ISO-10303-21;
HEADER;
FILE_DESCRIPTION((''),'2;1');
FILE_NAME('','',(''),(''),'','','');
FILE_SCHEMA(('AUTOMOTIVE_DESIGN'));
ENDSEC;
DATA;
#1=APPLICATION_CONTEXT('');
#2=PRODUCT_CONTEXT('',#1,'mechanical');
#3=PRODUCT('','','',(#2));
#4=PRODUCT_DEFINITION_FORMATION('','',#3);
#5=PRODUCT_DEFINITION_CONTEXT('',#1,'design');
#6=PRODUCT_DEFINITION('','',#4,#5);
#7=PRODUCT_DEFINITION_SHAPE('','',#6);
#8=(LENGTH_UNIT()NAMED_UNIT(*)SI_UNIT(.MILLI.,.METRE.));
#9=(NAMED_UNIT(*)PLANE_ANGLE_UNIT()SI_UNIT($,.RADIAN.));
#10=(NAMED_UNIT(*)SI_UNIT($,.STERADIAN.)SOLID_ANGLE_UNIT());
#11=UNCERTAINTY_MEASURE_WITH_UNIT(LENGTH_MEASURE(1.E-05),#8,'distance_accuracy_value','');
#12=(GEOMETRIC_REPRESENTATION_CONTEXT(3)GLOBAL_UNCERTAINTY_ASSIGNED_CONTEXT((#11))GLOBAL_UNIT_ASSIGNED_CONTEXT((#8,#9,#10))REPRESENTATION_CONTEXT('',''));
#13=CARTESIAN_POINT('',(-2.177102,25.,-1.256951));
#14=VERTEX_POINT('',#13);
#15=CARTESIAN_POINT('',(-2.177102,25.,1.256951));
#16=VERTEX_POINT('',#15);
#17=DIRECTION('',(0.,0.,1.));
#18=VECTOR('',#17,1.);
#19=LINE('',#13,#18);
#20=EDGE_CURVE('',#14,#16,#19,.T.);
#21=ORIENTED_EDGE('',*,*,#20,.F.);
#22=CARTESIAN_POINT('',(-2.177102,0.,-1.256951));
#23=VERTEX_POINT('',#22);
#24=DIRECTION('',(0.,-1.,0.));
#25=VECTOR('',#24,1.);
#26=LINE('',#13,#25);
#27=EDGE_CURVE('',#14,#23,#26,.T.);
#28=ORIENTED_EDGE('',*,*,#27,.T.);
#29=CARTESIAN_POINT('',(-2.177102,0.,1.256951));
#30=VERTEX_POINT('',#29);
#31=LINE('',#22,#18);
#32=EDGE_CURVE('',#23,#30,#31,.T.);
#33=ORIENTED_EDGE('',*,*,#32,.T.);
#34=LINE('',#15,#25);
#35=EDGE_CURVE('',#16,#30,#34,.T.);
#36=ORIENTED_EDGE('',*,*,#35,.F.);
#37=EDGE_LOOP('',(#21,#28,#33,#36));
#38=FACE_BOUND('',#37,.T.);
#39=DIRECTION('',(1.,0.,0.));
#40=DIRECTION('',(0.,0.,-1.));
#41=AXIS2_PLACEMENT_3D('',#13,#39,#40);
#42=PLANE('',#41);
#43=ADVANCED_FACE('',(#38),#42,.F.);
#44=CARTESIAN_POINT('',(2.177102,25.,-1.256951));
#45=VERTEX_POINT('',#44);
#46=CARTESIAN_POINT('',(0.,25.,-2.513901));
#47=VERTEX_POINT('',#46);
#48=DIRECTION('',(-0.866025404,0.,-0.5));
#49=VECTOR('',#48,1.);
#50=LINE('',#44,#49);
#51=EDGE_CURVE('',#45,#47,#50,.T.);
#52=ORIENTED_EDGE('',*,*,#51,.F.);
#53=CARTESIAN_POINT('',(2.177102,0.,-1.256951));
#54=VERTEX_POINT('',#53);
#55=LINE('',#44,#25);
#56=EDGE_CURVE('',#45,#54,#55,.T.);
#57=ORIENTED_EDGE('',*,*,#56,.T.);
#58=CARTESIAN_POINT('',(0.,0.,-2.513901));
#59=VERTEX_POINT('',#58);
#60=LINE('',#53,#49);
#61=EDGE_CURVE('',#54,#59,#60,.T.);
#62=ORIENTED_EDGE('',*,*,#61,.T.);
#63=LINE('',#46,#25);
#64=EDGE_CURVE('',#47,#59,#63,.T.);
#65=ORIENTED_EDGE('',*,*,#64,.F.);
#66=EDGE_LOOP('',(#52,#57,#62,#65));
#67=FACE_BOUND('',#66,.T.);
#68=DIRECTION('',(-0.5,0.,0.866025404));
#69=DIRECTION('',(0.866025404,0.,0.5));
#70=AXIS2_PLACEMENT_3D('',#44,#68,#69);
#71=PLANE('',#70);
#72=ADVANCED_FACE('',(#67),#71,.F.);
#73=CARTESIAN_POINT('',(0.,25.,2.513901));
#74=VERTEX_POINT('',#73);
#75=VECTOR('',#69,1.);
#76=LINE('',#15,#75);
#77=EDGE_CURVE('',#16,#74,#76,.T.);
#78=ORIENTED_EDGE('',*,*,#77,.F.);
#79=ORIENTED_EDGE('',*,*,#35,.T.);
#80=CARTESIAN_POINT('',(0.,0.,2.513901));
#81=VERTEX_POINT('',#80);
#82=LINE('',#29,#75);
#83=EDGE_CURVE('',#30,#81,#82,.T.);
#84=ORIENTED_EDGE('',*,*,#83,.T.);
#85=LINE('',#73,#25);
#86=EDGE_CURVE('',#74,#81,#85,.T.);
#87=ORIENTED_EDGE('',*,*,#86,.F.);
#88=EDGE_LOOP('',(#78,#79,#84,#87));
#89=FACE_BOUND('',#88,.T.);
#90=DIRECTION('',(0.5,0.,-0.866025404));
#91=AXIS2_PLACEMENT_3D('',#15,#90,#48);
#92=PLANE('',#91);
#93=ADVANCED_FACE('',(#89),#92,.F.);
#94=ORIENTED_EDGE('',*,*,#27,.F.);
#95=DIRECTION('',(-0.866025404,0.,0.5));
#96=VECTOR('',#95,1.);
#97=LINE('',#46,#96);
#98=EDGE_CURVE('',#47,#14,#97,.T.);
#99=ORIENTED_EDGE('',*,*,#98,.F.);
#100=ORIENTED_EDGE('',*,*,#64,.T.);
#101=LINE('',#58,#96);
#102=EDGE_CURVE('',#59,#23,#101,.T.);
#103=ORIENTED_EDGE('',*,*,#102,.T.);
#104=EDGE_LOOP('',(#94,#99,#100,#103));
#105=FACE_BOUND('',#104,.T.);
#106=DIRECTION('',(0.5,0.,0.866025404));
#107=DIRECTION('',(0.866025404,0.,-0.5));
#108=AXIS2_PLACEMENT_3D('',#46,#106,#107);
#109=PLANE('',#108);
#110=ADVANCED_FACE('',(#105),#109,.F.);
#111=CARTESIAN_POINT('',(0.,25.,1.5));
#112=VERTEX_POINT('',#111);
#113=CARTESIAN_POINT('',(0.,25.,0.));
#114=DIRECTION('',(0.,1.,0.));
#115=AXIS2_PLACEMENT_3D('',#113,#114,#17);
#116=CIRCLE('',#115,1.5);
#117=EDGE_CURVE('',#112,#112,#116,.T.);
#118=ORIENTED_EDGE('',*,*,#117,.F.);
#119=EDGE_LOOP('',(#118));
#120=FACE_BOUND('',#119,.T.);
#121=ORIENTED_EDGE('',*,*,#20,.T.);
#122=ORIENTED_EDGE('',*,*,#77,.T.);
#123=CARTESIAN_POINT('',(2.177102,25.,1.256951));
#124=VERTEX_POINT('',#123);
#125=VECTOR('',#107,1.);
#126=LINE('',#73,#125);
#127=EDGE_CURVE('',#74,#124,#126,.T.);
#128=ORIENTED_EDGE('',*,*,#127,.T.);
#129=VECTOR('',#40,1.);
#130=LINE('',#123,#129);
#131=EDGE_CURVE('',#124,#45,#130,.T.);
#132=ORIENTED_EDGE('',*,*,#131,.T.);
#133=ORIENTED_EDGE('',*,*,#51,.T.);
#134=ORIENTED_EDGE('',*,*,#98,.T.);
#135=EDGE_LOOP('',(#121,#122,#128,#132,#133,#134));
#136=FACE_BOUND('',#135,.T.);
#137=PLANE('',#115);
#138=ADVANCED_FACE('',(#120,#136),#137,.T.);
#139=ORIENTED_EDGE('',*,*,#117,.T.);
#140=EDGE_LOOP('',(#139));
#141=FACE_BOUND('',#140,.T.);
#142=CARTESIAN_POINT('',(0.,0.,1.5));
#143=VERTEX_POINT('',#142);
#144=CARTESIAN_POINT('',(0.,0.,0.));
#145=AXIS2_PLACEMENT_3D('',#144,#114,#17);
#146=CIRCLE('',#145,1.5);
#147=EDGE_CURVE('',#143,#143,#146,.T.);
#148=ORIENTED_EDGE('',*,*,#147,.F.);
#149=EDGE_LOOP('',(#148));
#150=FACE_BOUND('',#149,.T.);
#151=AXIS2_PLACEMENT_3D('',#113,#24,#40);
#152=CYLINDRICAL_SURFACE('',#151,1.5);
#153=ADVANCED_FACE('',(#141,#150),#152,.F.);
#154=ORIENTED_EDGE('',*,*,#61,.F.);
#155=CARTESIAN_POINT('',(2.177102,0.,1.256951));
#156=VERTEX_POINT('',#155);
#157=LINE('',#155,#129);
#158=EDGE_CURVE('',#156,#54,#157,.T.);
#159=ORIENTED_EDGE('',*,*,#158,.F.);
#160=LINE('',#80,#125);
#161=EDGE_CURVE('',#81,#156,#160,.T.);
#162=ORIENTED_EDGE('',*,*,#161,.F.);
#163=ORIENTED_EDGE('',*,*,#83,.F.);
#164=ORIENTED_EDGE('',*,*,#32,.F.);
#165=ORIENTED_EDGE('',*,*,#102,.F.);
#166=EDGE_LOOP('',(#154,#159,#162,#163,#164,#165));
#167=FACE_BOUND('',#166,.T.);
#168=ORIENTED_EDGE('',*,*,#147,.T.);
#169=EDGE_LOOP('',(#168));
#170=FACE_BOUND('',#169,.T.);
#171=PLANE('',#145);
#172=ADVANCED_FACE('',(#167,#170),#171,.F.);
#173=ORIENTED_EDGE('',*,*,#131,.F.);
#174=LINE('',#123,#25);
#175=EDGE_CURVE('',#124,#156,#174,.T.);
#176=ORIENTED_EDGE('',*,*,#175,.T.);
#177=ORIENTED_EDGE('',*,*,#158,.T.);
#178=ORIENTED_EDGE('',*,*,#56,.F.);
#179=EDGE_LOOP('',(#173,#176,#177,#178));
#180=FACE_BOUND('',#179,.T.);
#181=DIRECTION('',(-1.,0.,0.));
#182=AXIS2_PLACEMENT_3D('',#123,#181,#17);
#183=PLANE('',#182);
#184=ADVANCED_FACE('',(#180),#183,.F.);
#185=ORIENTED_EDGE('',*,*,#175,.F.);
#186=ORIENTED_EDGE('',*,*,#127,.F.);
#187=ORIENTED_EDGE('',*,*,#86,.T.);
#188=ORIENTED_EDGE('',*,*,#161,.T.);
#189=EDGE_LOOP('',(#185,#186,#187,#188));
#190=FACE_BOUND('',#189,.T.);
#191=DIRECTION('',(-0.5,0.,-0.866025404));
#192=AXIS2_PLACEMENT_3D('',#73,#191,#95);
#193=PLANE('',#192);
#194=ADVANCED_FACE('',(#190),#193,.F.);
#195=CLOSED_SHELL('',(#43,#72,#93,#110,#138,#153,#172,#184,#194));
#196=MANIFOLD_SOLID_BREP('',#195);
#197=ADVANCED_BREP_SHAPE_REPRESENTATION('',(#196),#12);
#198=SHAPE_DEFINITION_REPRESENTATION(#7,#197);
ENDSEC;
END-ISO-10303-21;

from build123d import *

# Parameters (mm, degrees)
SKETCH_1_R      = 1.5
EXTRUDE_1_DEPTH = 25


with BuildPart() as part:
    # 草图1 → 凸台-拉伸1 (new body)
    with BuildSketch(Plane(origin=(0, 0, 0), x_dir=(1, 0, 0), z_dir=(0, 1, 0))):
        Polygon((0, 2.513901358), (-2.177102439, 1.256950679), (-2.177102439, -1.256950679), (0, -2.513901358), (2.177102439, -1.256950679), (2.177102439, 1.256950679), align=None)
        with Locations(Location((0, 0, 0), (0, 0, 270))):
            Circle(SKETCH_1_R, mode=Mode.SUBTRACT)
    extrude(amount=EXTRUDE_1_DEPTH)


solid = part.part
